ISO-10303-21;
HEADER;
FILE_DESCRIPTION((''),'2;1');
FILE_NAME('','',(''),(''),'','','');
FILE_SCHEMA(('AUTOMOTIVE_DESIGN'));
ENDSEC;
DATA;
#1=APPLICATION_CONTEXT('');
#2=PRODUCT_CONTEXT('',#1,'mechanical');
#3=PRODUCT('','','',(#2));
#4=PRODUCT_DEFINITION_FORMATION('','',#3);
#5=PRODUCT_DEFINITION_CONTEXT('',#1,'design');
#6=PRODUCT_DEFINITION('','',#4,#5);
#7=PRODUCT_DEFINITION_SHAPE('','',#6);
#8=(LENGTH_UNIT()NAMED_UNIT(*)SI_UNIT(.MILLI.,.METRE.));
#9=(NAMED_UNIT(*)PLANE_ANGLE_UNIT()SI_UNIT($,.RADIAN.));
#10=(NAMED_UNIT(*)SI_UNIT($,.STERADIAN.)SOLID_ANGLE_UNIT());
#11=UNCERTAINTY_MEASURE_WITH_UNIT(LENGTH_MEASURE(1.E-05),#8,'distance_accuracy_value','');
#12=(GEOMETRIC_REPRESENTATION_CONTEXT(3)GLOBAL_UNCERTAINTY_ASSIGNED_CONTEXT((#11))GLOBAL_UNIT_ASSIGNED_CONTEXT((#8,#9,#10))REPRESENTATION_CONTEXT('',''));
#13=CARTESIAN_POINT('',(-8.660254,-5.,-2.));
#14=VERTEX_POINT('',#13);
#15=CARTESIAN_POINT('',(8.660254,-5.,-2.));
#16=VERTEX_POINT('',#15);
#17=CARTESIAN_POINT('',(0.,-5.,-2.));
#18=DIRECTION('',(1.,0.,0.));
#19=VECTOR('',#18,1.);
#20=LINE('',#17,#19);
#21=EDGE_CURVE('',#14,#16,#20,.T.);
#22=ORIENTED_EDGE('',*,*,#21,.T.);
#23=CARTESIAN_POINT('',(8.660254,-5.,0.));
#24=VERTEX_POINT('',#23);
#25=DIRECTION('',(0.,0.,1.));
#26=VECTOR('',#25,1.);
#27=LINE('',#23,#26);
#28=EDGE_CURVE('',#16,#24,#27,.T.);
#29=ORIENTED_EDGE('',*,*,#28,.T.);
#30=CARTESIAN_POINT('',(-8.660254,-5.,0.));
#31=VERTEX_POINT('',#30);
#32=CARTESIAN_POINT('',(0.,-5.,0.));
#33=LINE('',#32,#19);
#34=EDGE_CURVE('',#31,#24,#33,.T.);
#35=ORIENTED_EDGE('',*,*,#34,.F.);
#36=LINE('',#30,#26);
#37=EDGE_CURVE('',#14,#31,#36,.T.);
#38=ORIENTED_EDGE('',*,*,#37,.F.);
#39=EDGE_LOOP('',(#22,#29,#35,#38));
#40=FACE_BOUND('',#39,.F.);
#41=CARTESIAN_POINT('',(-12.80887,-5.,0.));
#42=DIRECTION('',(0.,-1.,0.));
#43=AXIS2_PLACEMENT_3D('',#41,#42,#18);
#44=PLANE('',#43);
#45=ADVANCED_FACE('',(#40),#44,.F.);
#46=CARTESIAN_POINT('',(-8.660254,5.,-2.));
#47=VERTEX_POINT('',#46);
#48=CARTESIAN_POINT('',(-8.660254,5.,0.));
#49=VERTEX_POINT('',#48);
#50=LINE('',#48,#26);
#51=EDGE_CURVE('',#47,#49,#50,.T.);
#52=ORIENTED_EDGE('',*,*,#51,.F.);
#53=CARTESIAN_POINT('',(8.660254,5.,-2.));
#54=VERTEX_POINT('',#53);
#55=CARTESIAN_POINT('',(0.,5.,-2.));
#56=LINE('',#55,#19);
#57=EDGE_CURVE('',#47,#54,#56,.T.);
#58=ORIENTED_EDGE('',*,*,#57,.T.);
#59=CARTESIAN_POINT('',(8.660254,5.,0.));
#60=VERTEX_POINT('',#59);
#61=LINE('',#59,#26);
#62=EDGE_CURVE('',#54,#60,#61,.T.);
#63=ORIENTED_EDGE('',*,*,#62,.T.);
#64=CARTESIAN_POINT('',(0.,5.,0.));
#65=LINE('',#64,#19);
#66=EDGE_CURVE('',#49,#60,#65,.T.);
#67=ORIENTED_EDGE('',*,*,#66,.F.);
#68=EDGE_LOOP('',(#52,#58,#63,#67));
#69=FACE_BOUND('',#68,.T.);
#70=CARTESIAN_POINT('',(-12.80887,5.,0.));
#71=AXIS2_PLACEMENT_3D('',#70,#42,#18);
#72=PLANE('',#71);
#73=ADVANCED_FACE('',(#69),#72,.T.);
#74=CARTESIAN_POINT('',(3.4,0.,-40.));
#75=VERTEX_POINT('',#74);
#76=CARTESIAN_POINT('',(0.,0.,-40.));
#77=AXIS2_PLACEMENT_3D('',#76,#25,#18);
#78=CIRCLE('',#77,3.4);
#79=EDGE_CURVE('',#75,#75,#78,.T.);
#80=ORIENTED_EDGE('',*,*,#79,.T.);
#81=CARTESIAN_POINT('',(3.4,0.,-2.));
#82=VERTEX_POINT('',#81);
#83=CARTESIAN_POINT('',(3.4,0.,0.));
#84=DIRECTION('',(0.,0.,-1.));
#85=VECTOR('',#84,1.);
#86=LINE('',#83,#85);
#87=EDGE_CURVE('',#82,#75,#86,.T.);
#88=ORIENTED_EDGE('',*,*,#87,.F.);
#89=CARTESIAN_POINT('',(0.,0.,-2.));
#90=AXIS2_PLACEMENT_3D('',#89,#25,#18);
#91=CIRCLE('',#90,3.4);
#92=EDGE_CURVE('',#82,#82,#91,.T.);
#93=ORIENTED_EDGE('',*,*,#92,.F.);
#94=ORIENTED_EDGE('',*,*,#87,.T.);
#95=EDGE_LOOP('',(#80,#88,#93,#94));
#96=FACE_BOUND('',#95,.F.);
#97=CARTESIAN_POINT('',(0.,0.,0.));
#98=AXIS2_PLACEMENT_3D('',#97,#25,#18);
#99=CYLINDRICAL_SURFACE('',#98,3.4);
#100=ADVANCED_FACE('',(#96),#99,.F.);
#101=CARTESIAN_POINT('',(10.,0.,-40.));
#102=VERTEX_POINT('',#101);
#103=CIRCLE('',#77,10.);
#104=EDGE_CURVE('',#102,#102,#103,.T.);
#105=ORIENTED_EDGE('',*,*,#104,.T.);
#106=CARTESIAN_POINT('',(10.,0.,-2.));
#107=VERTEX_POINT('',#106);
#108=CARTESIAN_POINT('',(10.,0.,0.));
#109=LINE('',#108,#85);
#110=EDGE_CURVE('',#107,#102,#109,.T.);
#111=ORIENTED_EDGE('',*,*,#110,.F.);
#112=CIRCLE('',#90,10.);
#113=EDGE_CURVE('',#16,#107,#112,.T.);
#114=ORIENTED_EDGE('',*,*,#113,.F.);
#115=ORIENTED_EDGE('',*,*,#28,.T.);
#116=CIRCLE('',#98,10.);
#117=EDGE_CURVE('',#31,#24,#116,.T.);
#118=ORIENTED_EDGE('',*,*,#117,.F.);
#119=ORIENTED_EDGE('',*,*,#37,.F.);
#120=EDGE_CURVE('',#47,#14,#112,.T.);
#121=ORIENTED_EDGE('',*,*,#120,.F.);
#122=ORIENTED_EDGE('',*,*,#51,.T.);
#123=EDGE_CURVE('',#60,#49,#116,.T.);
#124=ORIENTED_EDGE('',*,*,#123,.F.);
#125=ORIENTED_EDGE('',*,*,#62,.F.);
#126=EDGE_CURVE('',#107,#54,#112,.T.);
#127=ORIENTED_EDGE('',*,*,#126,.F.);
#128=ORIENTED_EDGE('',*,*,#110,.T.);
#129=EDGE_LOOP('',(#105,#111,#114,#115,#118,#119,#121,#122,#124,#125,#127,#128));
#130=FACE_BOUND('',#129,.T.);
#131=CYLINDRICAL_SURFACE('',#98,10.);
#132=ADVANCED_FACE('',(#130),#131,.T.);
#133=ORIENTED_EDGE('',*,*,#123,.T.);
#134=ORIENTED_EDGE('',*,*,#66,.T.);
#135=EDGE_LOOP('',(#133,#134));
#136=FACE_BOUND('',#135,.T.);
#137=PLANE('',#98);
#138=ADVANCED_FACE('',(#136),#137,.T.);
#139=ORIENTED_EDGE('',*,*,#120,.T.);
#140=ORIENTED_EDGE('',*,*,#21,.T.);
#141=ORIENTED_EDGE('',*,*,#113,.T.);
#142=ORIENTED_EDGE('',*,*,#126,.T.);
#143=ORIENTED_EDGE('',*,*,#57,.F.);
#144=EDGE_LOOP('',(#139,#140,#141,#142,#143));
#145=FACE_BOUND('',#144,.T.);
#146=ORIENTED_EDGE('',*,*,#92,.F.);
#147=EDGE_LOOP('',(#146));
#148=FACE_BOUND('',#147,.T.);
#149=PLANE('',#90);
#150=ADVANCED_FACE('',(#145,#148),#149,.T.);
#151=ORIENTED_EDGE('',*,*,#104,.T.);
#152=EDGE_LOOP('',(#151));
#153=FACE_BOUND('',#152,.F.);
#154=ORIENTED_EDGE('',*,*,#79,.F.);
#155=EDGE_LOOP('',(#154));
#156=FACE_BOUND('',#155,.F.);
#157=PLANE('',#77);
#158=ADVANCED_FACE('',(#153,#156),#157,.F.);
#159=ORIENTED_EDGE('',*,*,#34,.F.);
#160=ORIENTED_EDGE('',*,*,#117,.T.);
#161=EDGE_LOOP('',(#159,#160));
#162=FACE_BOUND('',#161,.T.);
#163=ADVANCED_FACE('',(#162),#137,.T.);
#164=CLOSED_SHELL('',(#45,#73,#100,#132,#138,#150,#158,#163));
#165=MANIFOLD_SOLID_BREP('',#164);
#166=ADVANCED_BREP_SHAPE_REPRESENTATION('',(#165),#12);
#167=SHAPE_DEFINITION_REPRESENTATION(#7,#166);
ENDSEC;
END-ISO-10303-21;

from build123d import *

# Parameters (mm, degrees)
F0_R     = 10
F1_DEPTH = 40
F2_R     = 3.4
F3_DEPTH = 40.001
F4_W     = 25.61774
F4_H     = 10
F5_DEPTH = 2


with BuildPart() as f1:
    # F0 (on Top) → F1 (new body)
    with BuildSketch(Plane.XY):
        Circle(F0_R)
    extrude(amount=-F1_DEPTH)

    # F2 (on face) → F3 (cut, through all)
    with BuildSketch(Plane.XY):
        Circle(F2_R)
    extrude(amount=-F3_DEPTH, mode=Mode.SUBTRACT)

    # F4 (on face) → F5 (cut)
    with BuildSketch(Plane.XY):
        Rectangle(F4_W, F4_H)
    extrude(amount=-F5_DEPTH, mode=Mode.SUBTRACT)


solid = f1.part
